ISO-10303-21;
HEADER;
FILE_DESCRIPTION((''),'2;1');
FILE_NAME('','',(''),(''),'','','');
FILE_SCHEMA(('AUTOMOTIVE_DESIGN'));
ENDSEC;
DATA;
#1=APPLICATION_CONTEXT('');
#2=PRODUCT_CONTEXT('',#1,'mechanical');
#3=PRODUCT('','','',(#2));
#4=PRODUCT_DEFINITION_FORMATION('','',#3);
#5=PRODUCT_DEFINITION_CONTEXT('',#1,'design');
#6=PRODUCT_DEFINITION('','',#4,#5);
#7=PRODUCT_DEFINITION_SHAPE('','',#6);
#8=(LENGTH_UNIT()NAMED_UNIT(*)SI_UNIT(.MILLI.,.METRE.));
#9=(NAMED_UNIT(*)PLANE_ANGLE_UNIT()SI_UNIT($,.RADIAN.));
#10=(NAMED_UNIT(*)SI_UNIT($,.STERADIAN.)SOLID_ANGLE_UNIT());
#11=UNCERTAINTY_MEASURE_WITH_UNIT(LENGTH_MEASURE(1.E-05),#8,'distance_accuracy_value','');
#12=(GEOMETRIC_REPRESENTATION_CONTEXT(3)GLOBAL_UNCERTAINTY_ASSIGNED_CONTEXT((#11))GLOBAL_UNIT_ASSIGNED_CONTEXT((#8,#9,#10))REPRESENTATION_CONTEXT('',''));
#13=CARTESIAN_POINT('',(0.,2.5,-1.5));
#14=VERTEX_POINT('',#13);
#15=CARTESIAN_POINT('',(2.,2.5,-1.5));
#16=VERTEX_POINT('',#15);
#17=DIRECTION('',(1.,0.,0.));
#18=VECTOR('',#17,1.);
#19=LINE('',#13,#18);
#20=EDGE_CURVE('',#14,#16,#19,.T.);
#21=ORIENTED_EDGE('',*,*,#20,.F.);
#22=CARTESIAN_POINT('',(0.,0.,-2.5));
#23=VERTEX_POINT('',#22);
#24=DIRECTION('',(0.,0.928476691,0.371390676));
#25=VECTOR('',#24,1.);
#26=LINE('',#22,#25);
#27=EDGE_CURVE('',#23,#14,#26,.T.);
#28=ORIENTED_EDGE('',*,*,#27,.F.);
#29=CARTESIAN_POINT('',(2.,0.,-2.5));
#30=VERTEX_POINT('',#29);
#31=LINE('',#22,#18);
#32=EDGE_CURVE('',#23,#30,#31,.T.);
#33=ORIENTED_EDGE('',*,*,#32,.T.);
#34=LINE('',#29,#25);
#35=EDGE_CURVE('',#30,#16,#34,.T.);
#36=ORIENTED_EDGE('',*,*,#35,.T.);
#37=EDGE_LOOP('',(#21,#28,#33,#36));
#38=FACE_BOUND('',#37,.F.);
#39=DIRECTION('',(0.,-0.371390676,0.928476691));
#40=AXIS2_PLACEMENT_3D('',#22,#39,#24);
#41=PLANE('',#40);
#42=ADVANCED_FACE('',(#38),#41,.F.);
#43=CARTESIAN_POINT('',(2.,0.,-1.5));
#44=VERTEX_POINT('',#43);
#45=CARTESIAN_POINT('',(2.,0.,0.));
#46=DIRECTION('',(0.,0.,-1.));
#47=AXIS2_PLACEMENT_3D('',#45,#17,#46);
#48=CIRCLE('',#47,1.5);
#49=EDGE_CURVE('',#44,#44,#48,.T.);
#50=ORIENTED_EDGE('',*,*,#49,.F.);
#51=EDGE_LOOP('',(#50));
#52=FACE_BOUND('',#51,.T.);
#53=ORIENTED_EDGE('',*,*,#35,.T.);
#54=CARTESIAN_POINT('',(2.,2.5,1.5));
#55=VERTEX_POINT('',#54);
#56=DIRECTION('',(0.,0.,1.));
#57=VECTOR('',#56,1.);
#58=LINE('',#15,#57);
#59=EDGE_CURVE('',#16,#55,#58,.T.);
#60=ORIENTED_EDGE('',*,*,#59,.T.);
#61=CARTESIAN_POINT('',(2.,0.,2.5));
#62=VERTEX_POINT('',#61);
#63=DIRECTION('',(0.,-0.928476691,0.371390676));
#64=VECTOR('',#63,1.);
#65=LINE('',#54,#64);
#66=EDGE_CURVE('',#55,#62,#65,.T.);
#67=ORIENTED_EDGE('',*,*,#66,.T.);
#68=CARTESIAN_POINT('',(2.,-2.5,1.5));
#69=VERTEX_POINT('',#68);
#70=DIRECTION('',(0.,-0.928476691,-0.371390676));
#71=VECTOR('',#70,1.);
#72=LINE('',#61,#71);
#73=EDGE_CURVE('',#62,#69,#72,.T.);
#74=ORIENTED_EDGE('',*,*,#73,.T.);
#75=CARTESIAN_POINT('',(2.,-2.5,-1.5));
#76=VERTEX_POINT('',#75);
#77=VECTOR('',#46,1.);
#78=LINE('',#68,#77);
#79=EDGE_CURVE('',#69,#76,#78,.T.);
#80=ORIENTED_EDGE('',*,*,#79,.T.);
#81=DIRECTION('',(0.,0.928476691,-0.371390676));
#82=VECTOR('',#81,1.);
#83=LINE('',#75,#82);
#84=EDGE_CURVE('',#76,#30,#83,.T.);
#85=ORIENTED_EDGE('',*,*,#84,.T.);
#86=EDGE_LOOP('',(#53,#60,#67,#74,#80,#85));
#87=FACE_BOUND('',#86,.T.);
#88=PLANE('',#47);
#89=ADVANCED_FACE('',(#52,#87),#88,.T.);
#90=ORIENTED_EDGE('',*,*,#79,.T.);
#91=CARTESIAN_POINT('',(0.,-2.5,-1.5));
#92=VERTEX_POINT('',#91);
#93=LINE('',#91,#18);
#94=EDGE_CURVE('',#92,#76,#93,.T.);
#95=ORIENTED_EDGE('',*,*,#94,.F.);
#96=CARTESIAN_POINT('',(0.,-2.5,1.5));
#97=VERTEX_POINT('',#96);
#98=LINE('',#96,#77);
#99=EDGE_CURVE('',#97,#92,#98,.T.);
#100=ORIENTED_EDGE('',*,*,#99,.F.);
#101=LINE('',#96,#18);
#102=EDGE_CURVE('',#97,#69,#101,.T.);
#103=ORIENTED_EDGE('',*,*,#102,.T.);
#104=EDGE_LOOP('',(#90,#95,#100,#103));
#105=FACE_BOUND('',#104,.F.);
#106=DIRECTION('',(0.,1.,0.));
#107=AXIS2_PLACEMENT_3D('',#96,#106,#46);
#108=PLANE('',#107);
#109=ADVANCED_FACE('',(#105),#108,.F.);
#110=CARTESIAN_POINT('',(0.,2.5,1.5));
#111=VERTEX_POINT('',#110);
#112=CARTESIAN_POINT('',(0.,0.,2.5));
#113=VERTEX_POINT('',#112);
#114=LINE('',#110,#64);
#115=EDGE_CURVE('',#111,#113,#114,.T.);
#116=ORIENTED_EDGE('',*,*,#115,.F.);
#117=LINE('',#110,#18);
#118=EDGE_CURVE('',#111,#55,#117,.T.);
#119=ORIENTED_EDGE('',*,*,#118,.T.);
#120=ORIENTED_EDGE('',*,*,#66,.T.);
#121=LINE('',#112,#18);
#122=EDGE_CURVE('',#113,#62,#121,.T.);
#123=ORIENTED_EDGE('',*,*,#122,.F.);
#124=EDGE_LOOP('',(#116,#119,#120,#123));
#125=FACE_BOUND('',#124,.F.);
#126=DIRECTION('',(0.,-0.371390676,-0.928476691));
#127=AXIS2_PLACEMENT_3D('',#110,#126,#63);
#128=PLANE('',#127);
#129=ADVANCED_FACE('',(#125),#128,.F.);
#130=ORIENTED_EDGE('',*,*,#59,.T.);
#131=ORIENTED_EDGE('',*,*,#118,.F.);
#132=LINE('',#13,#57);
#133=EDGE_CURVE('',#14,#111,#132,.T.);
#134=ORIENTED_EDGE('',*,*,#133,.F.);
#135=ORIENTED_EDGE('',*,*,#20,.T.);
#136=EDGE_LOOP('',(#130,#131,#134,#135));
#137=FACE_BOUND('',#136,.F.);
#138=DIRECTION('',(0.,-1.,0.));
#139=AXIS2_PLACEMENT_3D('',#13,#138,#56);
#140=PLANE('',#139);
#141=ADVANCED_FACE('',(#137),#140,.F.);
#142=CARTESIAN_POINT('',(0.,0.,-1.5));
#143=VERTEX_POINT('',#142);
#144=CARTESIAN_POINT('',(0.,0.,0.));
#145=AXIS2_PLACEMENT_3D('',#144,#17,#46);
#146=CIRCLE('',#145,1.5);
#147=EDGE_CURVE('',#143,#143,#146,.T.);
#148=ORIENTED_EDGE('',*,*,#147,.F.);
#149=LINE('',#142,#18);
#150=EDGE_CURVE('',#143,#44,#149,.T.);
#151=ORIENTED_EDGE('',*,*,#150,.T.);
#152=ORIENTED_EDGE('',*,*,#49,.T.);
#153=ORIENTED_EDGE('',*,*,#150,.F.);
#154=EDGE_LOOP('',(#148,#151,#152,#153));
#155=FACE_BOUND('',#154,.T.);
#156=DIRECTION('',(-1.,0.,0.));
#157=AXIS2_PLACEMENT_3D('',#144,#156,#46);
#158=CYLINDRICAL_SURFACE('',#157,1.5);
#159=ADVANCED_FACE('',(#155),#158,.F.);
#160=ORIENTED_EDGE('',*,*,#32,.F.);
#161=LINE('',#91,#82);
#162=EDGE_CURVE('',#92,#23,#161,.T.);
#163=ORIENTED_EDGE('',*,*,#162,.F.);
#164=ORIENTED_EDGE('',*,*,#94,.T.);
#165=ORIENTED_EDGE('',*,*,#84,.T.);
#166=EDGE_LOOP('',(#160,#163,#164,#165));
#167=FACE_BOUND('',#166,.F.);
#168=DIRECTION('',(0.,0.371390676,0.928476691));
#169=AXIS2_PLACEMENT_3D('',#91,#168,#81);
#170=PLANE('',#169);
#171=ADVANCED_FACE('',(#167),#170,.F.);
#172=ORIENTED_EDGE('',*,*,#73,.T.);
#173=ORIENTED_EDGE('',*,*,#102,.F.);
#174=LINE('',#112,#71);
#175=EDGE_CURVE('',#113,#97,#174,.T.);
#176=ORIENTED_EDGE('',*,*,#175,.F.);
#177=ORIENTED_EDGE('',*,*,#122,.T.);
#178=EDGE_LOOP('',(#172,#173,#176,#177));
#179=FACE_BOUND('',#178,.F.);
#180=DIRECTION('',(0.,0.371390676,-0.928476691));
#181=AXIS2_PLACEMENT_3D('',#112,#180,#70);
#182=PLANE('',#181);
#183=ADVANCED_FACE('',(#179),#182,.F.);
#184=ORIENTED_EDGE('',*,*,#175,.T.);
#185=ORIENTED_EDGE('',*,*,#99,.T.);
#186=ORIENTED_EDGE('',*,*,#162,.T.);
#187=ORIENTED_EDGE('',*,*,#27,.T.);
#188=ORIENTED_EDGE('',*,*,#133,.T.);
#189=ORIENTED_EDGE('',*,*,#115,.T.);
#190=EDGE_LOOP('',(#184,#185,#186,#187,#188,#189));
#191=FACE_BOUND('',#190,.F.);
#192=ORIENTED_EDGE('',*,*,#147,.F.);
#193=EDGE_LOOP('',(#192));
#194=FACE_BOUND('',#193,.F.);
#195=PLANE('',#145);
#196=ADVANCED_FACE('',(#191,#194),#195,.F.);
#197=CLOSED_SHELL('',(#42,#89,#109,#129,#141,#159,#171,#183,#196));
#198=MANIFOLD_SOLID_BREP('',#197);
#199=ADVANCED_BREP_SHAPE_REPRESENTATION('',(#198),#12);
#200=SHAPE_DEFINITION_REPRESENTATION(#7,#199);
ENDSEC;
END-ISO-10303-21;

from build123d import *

# Parameters (mm, degrees)
F0_R     = 1.5
F1_DEPTH = 2
F3_ANGLE = 90


with BuildPart() as f1:
    # F0 (on Top) → F1 (new body)
    with BuildSketch(Plane.XY):
        Polygon((1.5, 2.5), (-1.5, 2.5), (-2.5, 0), (-1.5, -2.5), (1.5, -2.5), (2.5, 0), align=None)
        Circle(F0_R, mode=Mode.SUBTRACT)
    extrude(amount=F1_DEPTH)


with BuildPart() as f1_1:
    # F3: moved
    add(f1.part.rotate(Axis((0, -0.30454, 0), (0, 1, 0)), F3_ANGLE))


solid = f1_1.part
